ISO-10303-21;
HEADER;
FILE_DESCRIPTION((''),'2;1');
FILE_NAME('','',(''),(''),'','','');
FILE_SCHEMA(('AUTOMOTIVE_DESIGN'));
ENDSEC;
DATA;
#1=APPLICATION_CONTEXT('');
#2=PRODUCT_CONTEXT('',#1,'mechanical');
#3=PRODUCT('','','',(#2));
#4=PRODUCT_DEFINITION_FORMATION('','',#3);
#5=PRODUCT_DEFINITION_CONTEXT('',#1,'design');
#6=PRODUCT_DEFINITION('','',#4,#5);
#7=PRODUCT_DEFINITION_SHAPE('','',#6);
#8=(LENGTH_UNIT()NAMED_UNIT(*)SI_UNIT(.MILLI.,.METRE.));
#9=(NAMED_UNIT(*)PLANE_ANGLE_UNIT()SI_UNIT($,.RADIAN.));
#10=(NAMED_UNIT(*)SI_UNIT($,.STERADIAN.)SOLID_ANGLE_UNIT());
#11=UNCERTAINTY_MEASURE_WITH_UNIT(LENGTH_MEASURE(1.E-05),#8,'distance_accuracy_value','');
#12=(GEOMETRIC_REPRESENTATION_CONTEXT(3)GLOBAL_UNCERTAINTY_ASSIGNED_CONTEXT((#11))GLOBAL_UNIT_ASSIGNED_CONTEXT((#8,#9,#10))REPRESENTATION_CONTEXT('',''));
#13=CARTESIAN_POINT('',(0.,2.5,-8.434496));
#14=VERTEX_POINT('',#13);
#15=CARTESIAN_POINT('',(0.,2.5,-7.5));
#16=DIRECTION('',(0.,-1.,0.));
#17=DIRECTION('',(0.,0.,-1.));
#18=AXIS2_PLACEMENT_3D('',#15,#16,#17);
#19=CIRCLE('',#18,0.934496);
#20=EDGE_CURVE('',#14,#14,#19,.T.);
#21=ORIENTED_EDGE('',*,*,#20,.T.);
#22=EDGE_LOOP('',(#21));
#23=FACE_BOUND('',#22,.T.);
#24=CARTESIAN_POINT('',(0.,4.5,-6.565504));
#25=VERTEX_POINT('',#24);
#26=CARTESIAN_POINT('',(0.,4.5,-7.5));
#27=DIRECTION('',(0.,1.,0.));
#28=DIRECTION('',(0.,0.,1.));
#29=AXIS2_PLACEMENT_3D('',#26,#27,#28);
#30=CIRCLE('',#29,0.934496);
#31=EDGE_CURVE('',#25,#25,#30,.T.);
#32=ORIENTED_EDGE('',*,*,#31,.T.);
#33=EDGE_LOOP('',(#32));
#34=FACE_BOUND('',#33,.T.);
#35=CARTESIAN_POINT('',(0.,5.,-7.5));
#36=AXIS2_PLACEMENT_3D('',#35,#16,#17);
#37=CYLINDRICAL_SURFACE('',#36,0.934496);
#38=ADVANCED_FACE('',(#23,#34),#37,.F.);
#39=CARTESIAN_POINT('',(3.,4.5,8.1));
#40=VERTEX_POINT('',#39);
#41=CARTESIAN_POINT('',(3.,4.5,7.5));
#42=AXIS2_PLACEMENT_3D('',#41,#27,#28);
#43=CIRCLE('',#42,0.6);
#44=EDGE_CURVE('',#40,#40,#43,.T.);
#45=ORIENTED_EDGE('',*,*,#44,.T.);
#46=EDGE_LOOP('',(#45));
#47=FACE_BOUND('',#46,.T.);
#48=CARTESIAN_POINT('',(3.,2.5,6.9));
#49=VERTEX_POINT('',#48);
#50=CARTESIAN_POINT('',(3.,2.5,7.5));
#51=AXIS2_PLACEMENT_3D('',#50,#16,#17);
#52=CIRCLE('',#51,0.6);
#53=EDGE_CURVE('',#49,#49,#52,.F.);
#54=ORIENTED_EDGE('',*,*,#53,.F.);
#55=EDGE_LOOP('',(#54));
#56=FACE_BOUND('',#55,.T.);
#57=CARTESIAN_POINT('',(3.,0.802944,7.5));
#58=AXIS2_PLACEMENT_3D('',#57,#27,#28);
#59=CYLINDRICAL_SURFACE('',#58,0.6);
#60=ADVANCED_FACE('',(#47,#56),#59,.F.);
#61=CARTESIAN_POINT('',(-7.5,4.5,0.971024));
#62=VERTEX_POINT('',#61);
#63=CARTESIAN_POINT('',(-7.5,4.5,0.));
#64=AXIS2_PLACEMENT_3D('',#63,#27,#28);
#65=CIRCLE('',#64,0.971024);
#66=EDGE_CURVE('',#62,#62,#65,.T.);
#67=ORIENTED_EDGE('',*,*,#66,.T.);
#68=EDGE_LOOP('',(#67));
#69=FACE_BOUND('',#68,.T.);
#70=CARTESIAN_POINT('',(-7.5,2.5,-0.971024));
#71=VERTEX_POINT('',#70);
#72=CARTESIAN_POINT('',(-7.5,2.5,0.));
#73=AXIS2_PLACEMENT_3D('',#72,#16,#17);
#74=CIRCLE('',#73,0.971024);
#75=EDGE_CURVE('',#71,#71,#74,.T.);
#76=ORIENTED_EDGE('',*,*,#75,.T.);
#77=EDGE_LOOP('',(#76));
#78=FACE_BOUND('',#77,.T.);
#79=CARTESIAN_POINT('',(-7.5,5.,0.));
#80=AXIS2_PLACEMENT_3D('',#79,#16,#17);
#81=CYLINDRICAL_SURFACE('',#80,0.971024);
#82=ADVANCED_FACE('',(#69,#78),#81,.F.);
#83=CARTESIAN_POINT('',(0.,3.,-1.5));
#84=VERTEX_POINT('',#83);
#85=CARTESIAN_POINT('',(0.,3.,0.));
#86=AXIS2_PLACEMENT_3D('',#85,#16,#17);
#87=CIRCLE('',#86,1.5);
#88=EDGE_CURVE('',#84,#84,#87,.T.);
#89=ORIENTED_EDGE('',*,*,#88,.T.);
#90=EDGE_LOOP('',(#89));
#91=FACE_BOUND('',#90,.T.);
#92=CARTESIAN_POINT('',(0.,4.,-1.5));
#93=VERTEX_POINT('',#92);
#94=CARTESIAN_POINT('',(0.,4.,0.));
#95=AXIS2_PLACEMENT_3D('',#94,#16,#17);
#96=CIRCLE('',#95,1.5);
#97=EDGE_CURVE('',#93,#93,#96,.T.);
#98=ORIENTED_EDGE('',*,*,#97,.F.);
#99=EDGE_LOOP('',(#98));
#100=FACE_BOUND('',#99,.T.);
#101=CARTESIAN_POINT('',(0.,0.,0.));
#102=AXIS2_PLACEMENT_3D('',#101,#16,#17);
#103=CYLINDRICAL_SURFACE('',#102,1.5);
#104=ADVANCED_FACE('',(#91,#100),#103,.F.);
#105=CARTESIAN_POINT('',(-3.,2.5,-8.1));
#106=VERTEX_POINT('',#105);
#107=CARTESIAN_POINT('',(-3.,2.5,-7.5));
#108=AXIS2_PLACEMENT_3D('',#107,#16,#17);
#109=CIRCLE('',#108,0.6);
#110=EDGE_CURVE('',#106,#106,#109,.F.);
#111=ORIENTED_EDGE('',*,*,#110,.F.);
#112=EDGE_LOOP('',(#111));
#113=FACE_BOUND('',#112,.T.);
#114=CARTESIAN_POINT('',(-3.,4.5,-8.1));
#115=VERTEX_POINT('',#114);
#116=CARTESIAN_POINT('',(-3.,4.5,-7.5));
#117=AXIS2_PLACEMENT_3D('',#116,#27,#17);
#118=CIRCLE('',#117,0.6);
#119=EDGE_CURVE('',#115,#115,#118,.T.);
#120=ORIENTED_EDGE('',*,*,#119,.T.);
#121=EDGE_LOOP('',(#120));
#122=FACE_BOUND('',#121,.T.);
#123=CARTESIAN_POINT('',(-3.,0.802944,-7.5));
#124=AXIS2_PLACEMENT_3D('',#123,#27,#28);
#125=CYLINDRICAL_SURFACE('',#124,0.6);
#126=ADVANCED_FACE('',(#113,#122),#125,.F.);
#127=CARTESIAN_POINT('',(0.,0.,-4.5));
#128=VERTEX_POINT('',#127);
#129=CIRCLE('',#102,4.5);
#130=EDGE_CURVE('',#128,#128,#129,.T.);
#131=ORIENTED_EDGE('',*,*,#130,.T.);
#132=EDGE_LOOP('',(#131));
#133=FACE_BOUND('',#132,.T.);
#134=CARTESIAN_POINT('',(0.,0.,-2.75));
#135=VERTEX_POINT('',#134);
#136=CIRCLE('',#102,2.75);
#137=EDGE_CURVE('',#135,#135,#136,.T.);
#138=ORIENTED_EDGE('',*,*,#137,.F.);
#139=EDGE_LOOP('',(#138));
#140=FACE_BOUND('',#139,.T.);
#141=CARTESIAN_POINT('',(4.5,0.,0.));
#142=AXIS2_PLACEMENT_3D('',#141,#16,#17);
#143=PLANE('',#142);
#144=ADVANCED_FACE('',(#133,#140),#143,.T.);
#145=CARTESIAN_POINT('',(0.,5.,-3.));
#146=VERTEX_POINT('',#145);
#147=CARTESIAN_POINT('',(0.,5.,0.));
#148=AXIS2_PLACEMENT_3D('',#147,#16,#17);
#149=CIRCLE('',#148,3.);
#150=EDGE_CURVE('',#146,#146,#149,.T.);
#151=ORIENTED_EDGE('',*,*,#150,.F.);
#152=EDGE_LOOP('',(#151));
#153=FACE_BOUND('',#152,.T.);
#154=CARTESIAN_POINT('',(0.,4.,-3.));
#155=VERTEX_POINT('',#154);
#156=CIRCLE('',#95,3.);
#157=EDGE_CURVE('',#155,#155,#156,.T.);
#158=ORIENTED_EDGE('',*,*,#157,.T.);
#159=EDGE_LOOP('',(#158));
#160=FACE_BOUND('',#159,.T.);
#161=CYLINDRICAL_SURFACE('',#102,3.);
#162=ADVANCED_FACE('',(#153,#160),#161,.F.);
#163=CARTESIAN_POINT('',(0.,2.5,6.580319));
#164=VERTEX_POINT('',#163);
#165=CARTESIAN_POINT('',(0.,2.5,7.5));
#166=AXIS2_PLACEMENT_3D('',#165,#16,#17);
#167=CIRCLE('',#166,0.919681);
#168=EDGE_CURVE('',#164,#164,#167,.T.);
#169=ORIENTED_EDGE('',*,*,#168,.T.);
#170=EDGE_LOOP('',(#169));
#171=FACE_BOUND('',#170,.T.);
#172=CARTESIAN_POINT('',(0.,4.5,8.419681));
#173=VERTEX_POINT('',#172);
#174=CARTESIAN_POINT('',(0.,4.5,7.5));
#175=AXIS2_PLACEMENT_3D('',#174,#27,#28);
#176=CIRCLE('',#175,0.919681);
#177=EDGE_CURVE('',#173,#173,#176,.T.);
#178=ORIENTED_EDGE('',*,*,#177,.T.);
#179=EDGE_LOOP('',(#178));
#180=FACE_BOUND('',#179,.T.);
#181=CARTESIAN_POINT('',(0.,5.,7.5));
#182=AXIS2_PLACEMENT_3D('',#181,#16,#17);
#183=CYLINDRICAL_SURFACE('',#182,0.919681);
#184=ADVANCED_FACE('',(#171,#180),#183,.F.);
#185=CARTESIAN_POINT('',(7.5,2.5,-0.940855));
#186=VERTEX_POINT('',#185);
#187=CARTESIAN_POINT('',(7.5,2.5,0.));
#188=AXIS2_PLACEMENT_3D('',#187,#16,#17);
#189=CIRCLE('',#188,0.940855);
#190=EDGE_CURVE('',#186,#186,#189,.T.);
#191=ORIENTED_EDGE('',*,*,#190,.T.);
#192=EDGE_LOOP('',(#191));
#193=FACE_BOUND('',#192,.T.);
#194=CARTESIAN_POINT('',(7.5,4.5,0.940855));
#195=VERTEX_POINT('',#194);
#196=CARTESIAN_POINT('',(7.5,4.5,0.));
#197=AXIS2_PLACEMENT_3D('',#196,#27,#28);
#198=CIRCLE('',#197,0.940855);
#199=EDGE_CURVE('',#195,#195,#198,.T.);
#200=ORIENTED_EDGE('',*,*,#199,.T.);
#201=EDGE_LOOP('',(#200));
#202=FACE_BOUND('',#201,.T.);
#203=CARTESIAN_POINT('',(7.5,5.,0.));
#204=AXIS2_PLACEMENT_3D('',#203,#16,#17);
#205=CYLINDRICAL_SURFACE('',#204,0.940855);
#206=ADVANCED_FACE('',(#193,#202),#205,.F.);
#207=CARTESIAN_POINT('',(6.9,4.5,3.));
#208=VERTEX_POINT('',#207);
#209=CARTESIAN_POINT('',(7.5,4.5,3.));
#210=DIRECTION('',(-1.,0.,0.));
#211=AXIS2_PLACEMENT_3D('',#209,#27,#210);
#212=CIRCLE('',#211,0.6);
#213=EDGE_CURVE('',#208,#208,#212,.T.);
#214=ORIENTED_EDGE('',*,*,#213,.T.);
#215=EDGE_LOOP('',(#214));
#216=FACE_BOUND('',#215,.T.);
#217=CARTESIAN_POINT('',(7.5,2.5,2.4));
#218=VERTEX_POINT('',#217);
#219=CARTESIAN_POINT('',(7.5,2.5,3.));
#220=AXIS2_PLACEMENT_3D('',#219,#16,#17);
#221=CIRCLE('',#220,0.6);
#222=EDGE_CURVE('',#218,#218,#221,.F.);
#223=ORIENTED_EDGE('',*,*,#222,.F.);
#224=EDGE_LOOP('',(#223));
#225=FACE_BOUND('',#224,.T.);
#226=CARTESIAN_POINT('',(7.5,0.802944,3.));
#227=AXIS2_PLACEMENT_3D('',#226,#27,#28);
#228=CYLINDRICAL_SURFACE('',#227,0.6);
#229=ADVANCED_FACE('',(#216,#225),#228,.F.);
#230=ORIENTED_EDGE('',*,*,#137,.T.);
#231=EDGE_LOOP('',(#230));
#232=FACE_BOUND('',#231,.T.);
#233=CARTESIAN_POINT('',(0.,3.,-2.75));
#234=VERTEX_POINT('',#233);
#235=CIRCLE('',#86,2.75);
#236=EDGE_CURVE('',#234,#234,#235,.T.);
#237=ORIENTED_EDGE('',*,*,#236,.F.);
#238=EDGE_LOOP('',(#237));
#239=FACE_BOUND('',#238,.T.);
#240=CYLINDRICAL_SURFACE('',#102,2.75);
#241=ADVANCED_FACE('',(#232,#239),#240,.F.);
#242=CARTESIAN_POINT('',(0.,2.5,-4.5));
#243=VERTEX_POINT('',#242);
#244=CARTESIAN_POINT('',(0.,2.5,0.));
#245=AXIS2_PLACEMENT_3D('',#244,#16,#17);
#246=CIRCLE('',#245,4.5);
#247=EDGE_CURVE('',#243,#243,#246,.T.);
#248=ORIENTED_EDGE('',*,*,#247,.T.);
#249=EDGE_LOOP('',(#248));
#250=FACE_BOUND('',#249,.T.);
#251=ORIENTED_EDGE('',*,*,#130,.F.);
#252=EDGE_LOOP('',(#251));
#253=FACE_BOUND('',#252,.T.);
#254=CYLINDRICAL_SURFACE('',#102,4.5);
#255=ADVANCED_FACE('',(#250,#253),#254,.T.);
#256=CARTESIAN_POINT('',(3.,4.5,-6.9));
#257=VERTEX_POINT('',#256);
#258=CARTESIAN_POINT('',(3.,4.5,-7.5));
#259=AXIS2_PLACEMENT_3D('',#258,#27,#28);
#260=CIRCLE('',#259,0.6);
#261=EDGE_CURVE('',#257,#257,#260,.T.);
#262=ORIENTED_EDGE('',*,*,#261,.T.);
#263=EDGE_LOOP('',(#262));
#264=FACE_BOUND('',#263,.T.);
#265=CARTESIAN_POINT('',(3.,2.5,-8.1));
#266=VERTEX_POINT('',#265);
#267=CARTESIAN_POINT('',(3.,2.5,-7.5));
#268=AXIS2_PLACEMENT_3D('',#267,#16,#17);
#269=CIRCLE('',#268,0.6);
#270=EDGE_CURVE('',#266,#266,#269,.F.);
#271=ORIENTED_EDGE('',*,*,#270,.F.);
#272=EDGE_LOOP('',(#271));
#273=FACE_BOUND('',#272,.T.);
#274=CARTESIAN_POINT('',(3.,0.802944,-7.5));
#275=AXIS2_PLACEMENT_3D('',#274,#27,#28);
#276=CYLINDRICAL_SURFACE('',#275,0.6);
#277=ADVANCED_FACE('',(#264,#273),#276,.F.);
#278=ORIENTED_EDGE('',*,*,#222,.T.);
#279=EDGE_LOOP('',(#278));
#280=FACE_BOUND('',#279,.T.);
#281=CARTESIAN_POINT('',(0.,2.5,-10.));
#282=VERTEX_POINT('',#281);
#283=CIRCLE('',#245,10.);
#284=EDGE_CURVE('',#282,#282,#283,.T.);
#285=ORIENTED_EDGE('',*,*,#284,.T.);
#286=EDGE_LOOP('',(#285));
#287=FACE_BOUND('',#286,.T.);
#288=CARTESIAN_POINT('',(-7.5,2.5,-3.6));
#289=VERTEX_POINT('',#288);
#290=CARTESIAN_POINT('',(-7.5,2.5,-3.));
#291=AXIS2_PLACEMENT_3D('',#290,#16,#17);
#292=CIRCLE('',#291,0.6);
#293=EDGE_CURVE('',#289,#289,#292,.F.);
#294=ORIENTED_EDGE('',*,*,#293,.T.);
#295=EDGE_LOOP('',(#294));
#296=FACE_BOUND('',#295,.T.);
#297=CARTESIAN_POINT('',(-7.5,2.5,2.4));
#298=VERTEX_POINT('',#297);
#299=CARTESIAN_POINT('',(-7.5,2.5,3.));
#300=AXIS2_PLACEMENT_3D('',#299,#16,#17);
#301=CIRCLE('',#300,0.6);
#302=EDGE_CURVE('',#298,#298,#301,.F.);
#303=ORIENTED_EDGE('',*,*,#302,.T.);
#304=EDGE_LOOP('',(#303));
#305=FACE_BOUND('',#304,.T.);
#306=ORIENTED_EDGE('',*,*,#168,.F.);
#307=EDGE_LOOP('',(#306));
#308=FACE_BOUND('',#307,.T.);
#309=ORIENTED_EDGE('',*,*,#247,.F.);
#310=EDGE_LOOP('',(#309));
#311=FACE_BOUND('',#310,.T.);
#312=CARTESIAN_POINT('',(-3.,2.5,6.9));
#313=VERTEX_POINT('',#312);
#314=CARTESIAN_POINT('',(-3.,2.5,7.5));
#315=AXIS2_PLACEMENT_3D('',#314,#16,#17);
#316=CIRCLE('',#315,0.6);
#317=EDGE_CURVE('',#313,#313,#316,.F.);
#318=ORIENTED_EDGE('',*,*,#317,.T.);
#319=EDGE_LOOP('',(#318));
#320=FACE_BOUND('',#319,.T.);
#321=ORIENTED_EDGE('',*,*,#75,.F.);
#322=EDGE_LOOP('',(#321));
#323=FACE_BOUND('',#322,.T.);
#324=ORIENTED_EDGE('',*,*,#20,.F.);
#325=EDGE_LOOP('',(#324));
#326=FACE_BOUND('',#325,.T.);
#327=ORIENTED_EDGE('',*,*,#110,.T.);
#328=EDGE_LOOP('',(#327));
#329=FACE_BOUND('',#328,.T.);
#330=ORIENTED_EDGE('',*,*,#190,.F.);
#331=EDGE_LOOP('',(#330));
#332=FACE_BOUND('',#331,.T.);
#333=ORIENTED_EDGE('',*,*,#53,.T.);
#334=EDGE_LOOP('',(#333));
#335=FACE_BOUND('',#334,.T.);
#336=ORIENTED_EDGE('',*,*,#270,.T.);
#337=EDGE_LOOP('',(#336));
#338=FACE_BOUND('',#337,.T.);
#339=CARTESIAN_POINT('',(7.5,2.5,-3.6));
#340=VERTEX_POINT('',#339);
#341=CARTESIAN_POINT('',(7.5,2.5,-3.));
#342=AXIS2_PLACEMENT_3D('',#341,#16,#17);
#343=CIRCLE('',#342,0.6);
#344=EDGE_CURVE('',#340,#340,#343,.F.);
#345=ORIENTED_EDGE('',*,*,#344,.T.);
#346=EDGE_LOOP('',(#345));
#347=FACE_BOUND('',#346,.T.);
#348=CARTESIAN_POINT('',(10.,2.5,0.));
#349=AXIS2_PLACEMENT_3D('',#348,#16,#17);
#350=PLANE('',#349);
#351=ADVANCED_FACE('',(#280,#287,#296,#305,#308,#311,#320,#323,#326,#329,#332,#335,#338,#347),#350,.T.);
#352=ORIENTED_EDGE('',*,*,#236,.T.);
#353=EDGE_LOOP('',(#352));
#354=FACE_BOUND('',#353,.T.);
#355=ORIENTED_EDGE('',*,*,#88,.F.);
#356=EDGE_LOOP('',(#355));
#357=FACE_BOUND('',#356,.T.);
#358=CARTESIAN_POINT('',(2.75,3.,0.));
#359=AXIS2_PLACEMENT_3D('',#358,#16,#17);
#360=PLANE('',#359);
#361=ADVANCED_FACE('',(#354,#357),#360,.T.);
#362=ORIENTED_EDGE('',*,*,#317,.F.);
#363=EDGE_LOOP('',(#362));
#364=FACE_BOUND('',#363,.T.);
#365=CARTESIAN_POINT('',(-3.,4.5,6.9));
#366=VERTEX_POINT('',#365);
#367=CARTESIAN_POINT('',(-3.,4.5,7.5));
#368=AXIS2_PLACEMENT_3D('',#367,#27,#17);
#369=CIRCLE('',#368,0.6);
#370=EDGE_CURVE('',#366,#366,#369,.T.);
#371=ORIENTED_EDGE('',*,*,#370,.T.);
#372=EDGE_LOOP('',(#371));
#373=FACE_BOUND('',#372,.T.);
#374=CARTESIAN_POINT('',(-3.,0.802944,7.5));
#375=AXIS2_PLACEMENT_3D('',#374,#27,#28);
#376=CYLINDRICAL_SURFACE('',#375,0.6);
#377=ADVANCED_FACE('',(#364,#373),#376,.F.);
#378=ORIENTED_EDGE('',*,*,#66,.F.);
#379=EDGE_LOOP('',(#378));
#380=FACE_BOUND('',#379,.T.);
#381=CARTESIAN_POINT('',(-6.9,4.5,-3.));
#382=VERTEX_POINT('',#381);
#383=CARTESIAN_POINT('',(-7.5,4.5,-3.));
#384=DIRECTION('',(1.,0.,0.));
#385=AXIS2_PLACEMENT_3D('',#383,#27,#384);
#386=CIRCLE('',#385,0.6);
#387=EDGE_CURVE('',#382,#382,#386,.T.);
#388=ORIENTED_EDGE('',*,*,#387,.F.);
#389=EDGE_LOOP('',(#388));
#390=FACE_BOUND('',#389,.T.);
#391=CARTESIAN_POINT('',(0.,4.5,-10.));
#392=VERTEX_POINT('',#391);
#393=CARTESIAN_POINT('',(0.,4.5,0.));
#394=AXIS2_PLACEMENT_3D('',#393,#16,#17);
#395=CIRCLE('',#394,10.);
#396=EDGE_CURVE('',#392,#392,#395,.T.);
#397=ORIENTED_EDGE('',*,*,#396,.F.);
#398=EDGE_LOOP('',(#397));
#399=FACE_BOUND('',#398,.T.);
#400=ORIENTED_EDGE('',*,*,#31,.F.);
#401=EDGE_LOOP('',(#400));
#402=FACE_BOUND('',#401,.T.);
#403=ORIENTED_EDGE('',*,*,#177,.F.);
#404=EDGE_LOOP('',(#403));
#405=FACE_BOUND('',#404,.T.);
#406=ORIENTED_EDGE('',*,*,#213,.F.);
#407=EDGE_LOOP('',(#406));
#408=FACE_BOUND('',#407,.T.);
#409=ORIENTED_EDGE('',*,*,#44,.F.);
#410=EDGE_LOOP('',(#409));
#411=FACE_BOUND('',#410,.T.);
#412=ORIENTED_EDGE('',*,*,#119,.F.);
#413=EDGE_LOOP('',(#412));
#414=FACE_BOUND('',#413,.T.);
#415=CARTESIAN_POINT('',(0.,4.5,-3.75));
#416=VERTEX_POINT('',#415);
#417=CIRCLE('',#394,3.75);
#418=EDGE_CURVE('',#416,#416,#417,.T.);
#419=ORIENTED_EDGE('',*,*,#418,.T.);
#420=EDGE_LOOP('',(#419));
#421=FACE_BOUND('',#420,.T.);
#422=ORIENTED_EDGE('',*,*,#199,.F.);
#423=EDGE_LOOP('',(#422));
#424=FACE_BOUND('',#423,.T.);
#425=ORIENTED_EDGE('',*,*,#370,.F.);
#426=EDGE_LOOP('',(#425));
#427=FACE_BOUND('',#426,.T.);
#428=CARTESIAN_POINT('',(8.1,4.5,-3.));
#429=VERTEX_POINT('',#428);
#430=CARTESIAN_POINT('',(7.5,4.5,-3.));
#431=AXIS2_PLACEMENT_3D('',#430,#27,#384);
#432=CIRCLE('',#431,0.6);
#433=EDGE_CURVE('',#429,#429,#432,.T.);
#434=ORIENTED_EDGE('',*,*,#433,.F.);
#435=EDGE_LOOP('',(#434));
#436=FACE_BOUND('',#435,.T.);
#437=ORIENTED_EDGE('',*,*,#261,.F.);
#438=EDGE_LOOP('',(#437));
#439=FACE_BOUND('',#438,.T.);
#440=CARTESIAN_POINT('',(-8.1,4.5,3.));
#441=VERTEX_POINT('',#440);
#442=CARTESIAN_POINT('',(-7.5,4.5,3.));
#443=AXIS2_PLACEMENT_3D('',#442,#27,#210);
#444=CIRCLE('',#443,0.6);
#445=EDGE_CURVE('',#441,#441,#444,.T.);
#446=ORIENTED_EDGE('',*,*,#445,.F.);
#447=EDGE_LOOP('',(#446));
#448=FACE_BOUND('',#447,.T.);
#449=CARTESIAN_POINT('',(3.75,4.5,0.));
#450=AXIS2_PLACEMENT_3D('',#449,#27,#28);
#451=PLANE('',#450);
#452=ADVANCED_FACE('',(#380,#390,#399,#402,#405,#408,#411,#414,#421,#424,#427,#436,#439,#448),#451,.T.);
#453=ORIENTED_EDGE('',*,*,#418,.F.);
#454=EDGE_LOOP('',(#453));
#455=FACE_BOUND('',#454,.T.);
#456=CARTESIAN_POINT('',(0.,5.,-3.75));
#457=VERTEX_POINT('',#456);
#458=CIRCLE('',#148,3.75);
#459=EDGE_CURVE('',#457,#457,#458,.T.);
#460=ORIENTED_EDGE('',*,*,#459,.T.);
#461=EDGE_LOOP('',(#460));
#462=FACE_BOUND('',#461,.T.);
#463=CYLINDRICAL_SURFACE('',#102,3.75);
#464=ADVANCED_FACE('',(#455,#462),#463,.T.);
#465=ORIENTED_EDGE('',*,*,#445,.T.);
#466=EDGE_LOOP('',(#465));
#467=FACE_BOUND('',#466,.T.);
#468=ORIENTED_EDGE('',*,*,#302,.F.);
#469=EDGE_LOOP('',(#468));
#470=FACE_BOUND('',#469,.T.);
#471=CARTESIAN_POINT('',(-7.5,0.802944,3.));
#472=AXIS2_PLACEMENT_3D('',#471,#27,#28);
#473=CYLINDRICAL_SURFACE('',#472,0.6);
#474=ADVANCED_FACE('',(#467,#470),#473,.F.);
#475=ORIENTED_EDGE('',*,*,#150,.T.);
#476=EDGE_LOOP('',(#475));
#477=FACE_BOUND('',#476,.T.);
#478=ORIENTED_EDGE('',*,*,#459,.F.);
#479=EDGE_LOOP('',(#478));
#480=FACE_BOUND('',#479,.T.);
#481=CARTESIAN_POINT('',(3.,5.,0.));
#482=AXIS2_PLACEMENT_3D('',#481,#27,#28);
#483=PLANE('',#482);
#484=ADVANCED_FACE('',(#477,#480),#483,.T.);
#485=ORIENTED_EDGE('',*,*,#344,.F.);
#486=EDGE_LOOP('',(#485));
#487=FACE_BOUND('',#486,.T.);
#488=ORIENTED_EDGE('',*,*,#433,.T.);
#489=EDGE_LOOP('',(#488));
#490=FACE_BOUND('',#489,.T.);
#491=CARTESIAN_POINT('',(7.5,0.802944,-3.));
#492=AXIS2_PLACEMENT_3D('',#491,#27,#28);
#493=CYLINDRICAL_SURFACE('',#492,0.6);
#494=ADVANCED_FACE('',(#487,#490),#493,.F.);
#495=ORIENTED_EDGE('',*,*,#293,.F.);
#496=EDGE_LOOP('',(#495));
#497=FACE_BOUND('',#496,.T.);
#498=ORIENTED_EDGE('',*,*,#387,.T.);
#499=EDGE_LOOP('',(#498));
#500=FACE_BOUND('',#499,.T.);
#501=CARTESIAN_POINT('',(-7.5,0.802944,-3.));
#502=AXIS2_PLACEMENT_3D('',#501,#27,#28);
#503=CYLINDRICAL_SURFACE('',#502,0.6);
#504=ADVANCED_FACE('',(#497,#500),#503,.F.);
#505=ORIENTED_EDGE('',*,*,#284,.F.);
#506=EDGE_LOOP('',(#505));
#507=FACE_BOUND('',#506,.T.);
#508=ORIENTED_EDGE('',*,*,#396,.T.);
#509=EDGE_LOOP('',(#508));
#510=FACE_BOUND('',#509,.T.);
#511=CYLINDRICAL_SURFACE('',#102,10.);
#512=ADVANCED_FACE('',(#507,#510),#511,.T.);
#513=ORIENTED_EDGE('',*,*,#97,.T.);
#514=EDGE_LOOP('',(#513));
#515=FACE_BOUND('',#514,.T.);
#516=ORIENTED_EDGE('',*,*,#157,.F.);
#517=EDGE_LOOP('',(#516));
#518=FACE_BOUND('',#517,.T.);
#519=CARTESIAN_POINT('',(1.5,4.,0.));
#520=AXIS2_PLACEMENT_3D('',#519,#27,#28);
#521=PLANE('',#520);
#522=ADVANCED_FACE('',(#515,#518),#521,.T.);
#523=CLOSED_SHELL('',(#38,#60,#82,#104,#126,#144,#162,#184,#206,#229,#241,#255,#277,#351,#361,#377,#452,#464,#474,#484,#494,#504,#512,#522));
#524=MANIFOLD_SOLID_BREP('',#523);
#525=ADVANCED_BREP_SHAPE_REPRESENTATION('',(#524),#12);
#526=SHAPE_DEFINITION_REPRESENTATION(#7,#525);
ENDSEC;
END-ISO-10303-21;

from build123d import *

# Parameters (mm, degrees)
SKETCH1_R               = 0.6
CUT_EXTRUDE1_DEPTH      = 2
CIRPATTERN1_COUNT       = 4
ESQUISSE2_R             = 0.934495928
ESQUISSE2_R_2           = 0.971023647
ESQUISSE2_R_3           = 0.919680735
ESQUISSE2_R_4           = 0.940854572
ENL_V_MAT_EXTRU_1_DEPTH = 15.361406616


with BuildPart() as part:
    # Esquisse1 → Révolution1 (revolve)
    with BuildSketch(Plane.XY, mode=Mode.PRIVATE) as r_volution1_sk:
        Polygon((2.75, 0), (2.75, 3), (1.5, 3), (1.5, 4), (3, 4), (3, 5), (3.75, 5), (3.75, 4.5), (10, 4.5), (10, 2.5), (4.5, 2.5), (4.5, 0), align=None)
    revolve(r_volution1_sk.sketch.rotate(Axis((0, 0, 0), (0, 1, 0)), 90), axis=Axis((0, 0, 0), (0, 1, 0)))

    # Sketch1 → Cut-Extrude1 (cut)
    with BuildSketch(Plane(origin=(0, 4.5, 0), x_dir=(1, 0, 0), z_dir=(0, 1, 0))):
        with Locations(Location((0, 7.5, 0), (0, 0, 270))):
            Circle(SKETCH1_R)
        with Locations(Location((3, 7.5, 0), (0, 0, 270))):
            Circle(SKETCH1_R)
        with Locations(Location((-3, 7.5, 0), (0, 0, 90))):
            Circle(SKETCH1_R)
    cut_extrude1 = extrude(amount=-CUT_EXTRUDE1_DEPTH, mode=Mode.SUBTRACT)

    # CirPattern1: Cut-Extrude1 ×4 about axis
    cirpattern1_axis = Axis((0, 0, 0), (0, 1, 0))
    for i in range(1, CIRPATTERN1_COUNT):
        add(cut_extrude1.rotate(cirpattern1_axis, i * 360 / CIRPATTERN1_COUNT), mode=Mode.SUBTRACT)

    # Esquisse2 → Enlèv. mat.-Extru.1 (cut, through all)
    with BuildSketch(Plane.XZ.offset(-2.5)):
        with Locations(Location((0, -7.5, 0), (0, 0, 270))):
            Circle(ESQUISSE2_R)
        with Locations(Location((-7.5, 0, 0), (0, 0, 270))):
            Circle(ESQUISSE2_R_2)
        with Locations(Location((0, 7.5, 0), (0, 0, 270))):
            Circle(ESQUISSE2_R_3)
        with Locations(Location((7.5, 0, 0), (0, 0, 270))):
            Circle(ESQUISSE2_R_4)
    extrude(amount=-ENL_V_MAT_EXTRU_1_DEPTH, mode=Mode.SUBTRACT)


solid = part.part
